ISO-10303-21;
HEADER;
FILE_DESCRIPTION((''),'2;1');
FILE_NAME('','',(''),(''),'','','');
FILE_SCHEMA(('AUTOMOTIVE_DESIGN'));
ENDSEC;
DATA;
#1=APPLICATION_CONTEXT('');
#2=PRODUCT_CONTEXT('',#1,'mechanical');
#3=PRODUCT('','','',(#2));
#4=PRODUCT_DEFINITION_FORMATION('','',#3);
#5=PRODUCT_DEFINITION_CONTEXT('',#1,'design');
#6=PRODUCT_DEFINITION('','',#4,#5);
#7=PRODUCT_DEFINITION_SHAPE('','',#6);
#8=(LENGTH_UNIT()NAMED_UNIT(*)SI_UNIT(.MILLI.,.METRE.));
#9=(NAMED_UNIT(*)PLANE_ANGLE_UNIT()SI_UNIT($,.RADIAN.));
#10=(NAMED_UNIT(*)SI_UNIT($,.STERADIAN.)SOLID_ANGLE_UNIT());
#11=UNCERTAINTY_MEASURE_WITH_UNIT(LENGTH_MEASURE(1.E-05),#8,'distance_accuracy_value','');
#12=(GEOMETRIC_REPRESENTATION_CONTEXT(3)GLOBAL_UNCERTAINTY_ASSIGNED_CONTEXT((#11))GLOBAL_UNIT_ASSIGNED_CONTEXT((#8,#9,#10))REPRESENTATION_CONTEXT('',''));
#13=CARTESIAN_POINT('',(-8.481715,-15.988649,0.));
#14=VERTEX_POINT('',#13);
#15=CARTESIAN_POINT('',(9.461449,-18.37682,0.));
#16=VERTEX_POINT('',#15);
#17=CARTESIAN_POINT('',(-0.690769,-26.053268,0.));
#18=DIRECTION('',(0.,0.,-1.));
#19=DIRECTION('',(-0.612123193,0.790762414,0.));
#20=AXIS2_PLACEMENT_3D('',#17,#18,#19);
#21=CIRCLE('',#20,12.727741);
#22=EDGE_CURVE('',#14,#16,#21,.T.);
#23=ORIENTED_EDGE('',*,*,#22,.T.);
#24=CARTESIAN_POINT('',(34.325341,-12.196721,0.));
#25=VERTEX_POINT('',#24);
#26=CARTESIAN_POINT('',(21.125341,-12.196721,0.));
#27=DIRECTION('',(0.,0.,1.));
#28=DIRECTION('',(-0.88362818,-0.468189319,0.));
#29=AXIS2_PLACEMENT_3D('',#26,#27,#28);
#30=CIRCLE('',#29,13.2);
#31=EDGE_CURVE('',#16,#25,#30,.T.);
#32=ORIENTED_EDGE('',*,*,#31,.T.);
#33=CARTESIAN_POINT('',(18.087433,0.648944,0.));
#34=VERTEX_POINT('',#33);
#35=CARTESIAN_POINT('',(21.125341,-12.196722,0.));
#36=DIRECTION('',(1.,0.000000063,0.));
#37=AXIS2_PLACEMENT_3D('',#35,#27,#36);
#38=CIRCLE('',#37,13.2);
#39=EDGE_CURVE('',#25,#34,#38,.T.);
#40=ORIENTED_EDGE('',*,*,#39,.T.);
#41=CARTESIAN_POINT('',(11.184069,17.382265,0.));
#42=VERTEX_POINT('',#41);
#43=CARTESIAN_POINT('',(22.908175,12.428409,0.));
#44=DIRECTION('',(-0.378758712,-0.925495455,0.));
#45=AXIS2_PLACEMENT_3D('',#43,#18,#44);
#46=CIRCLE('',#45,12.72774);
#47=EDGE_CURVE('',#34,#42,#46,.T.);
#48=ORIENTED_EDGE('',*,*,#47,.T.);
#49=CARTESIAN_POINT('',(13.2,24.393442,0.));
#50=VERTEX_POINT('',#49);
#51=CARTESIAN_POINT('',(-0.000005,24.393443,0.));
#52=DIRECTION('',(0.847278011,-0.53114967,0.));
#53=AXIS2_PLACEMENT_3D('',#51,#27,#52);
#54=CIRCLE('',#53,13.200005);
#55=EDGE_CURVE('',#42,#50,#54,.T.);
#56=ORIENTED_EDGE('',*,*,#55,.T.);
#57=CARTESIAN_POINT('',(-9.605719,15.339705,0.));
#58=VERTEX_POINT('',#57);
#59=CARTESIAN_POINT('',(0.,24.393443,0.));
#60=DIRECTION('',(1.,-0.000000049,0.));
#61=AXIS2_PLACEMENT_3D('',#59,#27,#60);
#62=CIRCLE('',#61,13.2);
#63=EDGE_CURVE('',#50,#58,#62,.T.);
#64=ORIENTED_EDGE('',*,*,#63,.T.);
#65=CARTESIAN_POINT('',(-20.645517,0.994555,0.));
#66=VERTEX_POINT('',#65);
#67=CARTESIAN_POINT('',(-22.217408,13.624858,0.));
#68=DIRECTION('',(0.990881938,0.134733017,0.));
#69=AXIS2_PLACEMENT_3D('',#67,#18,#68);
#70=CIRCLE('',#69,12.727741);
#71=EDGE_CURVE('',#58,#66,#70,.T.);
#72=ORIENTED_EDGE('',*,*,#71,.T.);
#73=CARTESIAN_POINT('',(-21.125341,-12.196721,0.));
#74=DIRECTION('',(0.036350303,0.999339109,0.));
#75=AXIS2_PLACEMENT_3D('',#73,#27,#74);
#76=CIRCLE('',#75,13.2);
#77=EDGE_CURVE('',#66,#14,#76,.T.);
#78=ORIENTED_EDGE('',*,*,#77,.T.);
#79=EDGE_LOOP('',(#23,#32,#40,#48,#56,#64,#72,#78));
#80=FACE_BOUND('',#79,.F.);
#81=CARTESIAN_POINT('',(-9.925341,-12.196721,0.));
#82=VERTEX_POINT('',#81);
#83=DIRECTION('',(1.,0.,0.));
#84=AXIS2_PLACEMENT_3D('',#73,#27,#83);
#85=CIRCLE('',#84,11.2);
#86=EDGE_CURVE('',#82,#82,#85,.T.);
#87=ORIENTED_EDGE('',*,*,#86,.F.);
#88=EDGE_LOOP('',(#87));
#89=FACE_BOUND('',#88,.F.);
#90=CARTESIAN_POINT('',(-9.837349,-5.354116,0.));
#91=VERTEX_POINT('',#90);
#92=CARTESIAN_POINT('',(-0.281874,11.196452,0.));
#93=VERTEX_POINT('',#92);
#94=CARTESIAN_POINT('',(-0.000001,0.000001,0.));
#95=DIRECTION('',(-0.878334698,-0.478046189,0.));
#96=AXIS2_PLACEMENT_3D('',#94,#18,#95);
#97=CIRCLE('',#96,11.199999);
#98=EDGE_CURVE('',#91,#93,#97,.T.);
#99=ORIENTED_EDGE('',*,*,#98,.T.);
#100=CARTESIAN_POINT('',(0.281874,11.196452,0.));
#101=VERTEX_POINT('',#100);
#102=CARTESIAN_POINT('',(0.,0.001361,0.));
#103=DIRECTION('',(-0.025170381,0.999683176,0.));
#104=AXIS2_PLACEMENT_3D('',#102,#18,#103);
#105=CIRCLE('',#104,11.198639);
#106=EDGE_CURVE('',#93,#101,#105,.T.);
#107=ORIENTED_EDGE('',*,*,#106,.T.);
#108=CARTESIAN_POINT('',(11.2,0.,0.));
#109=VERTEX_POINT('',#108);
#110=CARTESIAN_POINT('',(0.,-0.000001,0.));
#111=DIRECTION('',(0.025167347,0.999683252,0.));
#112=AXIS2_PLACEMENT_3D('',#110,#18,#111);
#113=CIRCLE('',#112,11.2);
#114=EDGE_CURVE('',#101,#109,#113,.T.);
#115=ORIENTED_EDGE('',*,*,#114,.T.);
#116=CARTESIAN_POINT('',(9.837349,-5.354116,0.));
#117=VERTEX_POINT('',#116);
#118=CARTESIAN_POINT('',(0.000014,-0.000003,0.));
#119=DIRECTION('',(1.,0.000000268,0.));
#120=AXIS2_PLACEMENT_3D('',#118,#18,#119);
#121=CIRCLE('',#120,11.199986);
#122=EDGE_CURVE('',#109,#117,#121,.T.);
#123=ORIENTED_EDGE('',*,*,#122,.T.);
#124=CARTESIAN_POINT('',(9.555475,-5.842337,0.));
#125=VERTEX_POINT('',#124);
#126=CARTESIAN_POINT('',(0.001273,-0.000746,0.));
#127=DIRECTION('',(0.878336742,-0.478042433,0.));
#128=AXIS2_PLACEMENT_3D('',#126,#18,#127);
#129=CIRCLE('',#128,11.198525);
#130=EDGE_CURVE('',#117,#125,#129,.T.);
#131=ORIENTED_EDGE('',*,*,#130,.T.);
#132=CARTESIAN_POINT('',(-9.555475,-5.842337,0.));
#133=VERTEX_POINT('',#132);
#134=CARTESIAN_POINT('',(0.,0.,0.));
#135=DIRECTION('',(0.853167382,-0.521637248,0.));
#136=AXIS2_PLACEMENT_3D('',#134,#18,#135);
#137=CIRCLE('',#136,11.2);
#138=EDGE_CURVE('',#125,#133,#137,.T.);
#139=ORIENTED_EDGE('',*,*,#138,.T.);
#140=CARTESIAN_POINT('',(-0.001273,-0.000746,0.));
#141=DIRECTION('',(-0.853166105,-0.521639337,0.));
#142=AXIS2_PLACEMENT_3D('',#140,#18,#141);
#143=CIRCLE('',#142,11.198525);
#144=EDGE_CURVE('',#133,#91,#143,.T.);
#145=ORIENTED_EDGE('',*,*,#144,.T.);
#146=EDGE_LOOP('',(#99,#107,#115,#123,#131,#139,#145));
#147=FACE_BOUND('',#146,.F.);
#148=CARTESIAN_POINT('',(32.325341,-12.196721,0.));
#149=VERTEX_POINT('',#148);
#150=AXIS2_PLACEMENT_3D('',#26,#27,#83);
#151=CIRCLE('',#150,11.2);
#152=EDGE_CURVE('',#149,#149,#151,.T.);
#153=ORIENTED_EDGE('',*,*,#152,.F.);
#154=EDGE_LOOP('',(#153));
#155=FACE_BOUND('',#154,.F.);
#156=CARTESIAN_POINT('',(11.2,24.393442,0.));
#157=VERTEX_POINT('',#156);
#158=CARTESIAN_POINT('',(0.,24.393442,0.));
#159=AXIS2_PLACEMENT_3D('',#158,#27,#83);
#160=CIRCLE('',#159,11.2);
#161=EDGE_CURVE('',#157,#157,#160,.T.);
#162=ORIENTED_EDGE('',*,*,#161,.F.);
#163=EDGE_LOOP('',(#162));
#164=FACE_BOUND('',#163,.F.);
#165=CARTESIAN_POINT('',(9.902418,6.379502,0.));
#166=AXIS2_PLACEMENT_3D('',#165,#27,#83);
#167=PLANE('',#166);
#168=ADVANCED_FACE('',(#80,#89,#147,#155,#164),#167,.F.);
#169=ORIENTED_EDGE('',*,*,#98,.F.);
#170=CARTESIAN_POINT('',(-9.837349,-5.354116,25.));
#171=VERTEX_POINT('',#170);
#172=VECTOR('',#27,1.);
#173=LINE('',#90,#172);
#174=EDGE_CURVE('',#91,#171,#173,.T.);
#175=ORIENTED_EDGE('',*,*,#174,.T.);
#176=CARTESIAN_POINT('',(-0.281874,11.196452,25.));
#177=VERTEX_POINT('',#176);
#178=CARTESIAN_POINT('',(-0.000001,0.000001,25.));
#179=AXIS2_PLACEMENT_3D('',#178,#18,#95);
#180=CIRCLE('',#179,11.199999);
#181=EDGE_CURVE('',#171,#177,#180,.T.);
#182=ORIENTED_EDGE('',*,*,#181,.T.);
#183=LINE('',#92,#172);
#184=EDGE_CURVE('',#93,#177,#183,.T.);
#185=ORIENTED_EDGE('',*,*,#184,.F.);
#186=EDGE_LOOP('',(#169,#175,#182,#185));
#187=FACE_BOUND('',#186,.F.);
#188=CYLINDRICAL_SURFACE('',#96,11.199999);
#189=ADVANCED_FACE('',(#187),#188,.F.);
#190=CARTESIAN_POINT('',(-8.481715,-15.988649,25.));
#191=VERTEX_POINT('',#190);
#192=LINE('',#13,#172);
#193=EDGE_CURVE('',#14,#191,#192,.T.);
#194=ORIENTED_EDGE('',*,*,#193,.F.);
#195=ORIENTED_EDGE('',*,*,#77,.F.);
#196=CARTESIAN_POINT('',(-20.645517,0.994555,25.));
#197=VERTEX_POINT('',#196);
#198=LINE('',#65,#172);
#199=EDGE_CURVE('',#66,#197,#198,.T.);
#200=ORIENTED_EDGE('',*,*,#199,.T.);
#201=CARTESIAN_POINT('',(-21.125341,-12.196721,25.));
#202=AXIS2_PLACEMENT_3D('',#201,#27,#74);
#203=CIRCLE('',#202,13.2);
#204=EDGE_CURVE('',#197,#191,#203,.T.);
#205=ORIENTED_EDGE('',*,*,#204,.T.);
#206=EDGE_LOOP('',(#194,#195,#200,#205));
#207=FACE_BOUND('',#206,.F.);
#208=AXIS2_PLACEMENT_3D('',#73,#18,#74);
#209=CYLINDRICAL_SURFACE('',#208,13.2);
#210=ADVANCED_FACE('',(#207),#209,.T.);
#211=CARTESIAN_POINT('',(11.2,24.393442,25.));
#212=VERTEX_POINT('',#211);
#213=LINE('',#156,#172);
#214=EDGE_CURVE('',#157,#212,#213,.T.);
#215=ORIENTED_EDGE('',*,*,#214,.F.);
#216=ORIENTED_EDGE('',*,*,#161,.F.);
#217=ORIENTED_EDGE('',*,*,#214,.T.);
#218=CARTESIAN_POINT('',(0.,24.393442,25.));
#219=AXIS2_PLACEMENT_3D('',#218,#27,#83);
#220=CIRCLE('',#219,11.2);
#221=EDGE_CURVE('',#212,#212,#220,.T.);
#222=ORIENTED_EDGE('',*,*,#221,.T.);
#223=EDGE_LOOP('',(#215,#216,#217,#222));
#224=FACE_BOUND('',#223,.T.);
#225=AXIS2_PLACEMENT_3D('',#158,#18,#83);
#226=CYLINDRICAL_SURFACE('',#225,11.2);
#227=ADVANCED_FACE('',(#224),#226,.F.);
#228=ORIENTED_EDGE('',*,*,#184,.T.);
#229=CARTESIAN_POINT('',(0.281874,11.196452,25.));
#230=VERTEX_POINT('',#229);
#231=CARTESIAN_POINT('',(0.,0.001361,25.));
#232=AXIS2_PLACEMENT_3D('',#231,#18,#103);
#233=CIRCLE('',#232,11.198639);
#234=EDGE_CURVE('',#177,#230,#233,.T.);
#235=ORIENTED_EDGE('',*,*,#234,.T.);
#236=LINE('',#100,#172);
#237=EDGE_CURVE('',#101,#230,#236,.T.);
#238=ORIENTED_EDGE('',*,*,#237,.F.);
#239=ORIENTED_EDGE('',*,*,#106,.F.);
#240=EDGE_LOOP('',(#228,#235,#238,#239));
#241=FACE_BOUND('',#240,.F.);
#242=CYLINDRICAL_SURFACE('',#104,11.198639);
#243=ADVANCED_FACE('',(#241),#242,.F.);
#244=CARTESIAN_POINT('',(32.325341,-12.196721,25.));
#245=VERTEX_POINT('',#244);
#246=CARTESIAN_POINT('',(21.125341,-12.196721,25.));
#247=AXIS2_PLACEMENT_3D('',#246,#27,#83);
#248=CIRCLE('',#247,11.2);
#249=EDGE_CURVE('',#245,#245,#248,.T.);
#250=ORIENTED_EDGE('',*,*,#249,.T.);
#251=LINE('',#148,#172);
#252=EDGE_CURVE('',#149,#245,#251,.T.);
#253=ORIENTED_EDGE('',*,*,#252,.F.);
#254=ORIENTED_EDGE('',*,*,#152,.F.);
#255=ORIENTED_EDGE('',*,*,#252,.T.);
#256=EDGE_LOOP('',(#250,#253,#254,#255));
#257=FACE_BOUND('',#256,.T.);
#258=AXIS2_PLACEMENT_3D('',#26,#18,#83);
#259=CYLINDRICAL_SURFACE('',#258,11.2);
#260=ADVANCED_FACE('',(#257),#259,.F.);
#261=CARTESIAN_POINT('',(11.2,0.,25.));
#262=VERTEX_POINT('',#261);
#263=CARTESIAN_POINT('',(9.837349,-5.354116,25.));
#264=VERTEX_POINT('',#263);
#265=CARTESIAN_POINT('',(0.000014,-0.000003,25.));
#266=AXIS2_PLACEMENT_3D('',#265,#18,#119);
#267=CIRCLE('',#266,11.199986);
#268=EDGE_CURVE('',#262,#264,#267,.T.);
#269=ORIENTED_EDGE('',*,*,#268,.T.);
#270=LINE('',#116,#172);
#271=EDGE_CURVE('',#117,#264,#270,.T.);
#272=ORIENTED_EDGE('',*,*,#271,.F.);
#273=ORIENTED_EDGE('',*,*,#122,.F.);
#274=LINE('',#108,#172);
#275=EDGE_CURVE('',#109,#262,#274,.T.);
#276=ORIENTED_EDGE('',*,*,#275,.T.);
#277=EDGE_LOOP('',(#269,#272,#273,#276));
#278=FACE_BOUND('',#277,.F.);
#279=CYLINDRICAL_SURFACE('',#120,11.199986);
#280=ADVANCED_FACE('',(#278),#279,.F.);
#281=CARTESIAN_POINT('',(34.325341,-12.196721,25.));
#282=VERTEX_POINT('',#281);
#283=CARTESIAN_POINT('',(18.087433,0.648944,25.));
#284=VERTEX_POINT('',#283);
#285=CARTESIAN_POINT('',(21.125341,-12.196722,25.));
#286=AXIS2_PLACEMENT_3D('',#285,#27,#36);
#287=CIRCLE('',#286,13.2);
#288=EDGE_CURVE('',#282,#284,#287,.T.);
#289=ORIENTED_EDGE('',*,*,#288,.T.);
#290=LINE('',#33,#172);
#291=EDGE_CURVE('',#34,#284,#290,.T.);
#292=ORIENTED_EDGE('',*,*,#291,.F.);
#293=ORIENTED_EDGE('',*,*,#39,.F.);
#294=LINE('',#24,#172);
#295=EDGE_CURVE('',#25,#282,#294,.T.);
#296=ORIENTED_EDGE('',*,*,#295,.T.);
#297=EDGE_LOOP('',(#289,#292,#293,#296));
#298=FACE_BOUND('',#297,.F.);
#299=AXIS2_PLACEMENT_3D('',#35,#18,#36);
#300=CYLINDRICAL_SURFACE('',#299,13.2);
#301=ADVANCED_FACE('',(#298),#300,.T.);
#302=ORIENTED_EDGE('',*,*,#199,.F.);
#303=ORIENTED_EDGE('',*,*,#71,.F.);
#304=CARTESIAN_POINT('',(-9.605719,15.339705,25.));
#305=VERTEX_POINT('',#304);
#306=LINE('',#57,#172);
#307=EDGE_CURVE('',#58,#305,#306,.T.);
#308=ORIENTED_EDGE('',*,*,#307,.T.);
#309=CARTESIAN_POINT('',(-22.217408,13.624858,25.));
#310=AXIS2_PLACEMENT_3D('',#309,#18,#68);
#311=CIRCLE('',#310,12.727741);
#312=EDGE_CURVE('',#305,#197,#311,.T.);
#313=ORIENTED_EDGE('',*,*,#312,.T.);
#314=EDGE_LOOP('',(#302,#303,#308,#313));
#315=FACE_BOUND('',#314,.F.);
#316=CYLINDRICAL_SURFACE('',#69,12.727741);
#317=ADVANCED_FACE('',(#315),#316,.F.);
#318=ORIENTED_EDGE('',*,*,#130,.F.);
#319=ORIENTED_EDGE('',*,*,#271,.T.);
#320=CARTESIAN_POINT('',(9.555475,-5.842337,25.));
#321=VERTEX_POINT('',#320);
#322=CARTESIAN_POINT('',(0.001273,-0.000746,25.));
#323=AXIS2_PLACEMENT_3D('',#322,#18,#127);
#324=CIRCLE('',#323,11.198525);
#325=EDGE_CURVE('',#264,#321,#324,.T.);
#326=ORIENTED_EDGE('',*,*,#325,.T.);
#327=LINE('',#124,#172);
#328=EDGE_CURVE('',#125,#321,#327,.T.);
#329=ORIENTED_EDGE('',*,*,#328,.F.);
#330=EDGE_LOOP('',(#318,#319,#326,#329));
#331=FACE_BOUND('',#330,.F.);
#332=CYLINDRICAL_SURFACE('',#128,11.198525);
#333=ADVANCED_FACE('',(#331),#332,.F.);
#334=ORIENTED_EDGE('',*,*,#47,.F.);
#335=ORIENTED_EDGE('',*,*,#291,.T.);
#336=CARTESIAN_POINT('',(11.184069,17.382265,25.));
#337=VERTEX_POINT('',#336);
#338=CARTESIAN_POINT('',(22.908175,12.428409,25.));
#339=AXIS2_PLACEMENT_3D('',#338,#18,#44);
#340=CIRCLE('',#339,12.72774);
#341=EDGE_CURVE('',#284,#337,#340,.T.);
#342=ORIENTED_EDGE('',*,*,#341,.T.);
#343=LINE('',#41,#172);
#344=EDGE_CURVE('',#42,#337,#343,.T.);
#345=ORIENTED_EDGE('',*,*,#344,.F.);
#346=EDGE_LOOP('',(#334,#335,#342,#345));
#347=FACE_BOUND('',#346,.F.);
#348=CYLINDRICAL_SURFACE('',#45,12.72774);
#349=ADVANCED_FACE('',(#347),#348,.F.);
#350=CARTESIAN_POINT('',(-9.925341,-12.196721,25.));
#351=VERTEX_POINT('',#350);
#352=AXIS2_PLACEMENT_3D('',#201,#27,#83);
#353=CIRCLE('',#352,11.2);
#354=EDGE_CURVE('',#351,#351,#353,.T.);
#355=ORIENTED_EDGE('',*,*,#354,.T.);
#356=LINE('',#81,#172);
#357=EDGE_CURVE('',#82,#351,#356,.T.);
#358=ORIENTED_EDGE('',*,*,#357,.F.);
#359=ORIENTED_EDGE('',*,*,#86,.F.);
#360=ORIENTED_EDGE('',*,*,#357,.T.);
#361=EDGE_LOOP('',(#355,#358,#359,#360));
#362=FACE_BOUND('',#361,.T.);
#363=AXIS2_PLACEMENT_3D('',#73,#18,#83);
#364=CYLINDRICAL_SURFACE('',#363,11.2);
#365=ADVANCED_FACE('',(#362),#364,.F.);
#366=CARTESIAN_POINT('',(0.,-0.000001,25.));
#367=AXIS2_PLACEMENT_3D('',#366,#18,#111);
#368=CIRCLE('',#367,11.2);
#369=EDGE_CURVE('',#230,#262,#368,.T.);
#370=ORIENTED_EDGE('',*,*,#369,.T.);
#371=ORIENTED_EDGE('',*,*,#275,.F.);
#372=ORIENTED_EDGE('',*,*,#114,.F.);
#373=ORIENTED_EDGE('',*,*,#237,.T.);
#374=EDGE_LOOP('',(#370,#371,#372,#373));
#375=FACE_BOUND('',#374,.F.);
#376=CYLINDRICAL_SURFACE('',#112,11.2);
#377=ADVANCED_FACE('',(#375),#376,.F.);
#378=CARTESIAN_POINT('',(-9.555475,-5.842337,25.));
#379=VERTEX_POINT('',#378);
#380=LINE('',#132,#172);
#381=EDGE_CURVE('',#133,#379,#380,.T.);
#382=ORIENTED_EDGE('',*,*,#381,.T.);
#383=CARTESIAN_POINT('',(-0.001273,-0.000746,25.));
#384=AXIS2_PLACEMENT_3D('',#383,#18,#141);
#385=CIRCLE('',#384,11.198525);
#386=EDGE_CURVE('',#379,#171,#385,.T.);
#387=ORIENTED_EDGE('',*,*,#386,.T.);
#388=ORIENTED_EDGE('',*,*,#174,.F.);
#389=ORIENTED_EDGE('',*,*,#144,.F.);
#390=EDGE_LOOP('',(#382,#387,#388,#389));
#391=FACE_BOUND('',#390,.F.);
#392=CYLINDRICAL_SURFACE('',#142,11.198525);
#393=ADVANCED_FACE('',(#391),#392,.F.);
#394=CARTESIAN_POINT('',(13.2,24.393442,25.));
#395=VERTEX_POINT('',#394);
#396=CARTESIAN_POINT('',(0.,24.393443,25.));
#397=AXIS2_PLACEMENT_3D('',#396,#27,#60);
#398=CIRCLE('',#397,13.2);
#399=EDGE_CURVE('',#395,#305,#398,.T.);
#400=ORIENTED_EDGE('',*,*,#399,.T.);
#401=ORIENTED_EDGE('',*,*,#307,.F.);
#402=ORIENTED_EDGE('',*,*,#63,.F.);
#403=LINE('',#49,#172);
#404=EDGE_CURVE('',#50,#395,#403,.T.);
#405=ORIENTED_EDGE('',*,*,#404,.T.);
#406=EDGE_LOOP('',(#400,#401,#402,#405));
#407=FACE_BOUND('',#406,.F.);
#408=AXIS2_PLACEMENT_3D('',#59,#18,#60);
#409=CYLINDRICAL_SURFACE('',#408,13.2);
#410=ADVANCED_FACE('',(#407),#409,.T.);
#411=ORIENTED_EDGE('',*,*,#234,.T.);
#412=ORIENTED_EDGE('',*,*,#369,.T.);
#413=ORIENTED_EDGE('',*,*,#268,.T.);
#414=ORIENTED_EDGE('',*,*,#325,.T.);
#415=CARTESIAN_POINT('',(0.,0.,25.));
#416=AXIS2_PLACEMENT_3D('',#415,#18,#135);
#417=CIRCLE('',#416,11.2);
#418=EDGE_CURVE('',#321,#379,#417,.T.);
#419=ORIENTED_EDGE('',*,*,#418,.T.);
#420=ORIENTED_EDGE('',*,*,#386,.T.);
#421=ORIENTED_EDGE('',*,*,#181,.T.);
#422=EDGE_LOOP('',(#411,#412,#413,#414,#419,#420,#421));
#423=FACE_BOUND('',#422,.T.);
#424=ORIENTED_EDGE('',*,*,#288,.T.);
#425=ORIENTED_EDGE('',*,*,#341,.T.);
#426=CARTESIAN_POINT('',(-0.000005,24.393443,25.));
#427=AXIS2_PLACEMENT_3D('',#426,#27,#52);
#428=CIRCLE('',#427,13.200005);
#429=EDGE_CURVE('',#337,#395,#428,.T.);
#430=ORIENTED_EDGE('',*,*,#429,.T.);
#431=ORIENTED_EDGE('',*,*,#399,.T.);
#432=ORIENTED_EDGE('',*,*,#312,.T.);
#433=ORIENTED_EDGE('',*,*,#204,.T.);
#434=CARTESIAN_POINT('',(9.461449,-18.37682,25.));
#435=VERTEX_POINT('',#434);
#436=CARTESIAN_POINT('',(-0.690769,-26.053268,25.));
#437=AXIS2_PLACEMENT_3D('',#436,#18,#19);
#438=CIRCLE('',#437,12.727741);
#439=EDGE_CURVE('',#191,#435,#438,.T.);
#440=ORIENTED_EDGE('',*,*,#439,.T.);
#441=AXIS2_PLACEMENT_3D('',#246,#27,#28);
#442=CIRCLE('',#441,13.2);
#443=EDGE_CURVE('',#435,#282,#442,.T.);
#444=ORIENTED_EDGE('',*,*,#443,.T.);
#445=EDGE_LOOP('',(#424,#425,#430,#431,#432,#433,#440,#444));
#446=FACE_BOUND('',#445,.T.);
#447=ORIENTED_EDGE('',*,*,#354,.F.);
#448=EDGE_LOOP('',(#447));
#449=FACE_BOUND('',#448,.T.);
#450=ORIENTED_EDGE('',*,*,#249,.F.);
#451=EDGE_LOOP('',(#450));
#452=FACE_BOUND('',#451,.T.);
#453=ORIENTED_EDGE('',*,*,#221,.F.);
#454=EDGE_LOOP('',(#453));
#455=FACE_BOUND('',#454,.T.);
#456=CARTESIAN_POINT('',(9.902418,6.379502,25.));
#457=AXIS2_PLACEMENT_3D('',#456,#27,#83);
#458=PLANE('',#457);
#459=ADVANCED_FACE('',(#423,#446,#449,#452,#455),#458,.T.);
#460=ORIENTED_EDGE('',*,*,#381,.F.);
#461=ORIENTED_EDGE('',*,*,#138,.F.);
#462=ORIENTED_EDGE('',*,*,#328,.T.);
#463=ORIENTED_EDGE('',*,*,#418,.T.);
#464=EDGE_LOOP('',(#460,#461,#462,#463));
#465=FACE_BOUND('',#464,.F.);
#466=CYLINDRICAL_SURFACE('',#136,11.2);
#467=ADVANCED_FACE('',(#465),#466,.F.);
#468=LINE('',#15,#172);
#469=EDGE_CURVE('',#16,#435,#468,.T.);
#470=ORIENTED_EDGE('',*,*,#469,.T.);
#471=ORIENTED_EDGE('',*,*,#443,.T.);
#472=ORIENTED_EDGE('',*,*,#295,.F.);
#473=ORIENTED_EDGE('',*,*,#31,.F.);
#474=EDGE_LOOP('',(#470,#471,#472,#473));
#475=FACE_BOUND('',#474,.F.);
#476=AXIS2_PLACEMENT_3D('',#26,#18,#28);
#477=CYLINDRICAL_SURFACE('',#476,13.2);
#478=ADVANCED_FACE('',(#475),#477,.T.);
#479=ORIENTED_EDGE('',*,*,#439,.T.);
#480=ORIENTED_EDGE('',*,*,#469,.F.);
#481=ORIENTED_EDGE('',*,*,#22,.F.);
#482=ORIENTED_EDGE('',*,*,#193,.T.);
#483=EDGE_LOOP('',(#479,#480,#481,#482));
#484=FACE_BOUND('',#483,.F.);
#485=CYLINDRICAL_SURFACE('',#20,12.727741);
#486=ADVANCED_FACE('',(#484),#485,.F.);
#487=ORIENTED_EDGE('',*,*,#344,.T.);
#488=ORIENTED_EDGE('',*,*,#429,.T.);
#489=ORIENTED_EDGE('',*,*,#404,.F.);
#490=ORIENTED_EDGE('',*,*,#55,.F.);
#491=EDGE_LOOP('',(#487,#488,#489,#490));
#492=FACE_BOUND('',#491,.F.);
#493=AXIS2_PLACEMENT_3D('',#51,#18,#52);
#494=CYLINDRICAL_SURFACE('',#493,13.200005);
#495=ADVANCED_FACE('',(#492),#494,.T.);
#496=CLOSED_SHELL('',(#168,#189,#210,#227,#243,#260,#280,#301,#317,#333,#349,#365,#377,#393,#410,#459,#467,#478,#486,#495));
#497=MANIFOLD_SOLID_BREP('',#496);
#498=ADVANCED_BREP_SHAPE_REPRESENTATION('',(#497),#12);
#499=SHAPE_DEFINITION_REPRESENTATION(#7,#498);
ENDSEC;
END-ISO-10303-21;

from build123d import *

# Parameters (mm, degrees)
F0_R     = 11.2
F1_DEPTH = 25


with BuildPart() as f1:
    # F0 (on Top) → F1 (new body)
    with BuildSketch(Plane.XY):
        with BuildLine():
            ThreePointArc((0.281874, 11.196452), (8.018634, 7.819303), (11.2, 0))
            ThreePointArc((11.2, 0), (10.853993, -2.762398), (9.837349, -5.354116))
            ThreePointArc((9.837349, -5.354116), (13.358937, -1.523251), (18.087433, 0.648944))
            ThreePointArc((18.087433, 0.648944), (11.142377, 7.574406), (11.184069, 17.382265))
            ThreePointArc((11.184069, 17.382265), (6.514064, 12.912721), (0.281874, 11.196452))
        make_face()
        with BuildLine():
            ThreePointArc((-0.281874, 11.196452), (0, 11.2), (0.281874, 11.196452))
            ThreePointArc((0.281874, 11.196452), (6.514064, 12.912721), (11.184069, 17.382265))
            ThreePointArc((11.184069, 17.382265), (12.68601, 20.74582), (13.2, 24.393442))
            ThreePointArc((13.2, 24.393442), (-4.87055, 36.66201), (-9.605719, 15.339705))
            ThreePointArc((-9.605719, 15.339705), (-5.360295, 12.330804), (-0.281874, 11.196452))
        make_face()
        with Locations((0, 24.393442)):
            Circle(F0_R, mode=Mode.SUBTRACT)
        with BuildLine():
            ThreePointArc((18.087433, 0.648944), (13.358937, -1.523251), (9.837349, -5.354116))
            ThreePointArc((9.837349, -5.354116), (9.699485, -5.6), (9.555475, -5.842337))
            ThreePointArc((9.555475, -5.842337), (7.925712, -12.097705), (9.461449, -18.37682))
            ThreePointArc((9.461449, -18.37682), (24.309413, -25.006939), (34.325341, -12.196721))
            ThreePointArc((34.325341, -12.196721), (29.314957, -1.844418), (18.087433, 0.648944))
        make_face()
        with Locations((21.125341, -12.196721)):
            Circle(F0_R, mode=Mode.SUBTRACT)
        with BuildLine():
            ThreePointArc((-9.837349, -5.354116), (-9.699485, 5.6), (-0.281874, 11.196452))
            ThreePointArc((-0.281874, 11.196452), (-5.360295, 12.330804), (-9.605719, 15.339705))
            ThreePointArc((-9.605719, 15.339705), (-12.130817, 5.862379), (-20.645517, 0.994555))
            ThreePointArc((-20.645517, 0.994555), (-14.439776, -0.815015), (-9.837349, -5.354116))
        make_face()
        with BuildLine():
            ThreePointArc((9.461449, -18.37682), (7.925712, -12.097705), (9.555475, -5.842337))
            ThreePointArc((9.555475, -5.842337), (0, -11.2), (-9.555475, -5.842337))
            ThreePointArc((-9.555475, -5.842337), (-8.339368, -8.916647), (-7.925341, -12.196721))
            ThreePointArc((-7.925341, -12.196721), (-8.065175, -14.112985), (-8.481715, -15.988649))
            ThreePointArc((-8.481715, -15.988649), (0.98844, -13.436785), (9.461449, -18.37682))
        make_face()
        with BuildLine():
            ThreePointArc((-9.555475, -5.842337), (-9.699485, -5.6), (-9.837349, -5.354116))
            ThreePointArc((-9.837349, -5.354116), (-14.439776, -0.815015), (-20.645517, 0.994555))
            ThreePointArc((-20.645517, 0.994555), (-31.856768, -19.882843), (-8.481715, -15.988649))
            ThreePointArc((-8.481715, -15.988649), (-8.065175, -14.112985), (-7.925341, -12.196721))
            ThreePointArc((-7.925341, -12.196721), (-8.339368, -8.916647), (-9.555475, -5.842337))
        make_face()
        with Locations((-21.125341, -12.196721)):
            Circle(F0_R, mode=Mode.SUBTRACT)
    extrude(amount=F1_DEPTH)


solid = f1.part
